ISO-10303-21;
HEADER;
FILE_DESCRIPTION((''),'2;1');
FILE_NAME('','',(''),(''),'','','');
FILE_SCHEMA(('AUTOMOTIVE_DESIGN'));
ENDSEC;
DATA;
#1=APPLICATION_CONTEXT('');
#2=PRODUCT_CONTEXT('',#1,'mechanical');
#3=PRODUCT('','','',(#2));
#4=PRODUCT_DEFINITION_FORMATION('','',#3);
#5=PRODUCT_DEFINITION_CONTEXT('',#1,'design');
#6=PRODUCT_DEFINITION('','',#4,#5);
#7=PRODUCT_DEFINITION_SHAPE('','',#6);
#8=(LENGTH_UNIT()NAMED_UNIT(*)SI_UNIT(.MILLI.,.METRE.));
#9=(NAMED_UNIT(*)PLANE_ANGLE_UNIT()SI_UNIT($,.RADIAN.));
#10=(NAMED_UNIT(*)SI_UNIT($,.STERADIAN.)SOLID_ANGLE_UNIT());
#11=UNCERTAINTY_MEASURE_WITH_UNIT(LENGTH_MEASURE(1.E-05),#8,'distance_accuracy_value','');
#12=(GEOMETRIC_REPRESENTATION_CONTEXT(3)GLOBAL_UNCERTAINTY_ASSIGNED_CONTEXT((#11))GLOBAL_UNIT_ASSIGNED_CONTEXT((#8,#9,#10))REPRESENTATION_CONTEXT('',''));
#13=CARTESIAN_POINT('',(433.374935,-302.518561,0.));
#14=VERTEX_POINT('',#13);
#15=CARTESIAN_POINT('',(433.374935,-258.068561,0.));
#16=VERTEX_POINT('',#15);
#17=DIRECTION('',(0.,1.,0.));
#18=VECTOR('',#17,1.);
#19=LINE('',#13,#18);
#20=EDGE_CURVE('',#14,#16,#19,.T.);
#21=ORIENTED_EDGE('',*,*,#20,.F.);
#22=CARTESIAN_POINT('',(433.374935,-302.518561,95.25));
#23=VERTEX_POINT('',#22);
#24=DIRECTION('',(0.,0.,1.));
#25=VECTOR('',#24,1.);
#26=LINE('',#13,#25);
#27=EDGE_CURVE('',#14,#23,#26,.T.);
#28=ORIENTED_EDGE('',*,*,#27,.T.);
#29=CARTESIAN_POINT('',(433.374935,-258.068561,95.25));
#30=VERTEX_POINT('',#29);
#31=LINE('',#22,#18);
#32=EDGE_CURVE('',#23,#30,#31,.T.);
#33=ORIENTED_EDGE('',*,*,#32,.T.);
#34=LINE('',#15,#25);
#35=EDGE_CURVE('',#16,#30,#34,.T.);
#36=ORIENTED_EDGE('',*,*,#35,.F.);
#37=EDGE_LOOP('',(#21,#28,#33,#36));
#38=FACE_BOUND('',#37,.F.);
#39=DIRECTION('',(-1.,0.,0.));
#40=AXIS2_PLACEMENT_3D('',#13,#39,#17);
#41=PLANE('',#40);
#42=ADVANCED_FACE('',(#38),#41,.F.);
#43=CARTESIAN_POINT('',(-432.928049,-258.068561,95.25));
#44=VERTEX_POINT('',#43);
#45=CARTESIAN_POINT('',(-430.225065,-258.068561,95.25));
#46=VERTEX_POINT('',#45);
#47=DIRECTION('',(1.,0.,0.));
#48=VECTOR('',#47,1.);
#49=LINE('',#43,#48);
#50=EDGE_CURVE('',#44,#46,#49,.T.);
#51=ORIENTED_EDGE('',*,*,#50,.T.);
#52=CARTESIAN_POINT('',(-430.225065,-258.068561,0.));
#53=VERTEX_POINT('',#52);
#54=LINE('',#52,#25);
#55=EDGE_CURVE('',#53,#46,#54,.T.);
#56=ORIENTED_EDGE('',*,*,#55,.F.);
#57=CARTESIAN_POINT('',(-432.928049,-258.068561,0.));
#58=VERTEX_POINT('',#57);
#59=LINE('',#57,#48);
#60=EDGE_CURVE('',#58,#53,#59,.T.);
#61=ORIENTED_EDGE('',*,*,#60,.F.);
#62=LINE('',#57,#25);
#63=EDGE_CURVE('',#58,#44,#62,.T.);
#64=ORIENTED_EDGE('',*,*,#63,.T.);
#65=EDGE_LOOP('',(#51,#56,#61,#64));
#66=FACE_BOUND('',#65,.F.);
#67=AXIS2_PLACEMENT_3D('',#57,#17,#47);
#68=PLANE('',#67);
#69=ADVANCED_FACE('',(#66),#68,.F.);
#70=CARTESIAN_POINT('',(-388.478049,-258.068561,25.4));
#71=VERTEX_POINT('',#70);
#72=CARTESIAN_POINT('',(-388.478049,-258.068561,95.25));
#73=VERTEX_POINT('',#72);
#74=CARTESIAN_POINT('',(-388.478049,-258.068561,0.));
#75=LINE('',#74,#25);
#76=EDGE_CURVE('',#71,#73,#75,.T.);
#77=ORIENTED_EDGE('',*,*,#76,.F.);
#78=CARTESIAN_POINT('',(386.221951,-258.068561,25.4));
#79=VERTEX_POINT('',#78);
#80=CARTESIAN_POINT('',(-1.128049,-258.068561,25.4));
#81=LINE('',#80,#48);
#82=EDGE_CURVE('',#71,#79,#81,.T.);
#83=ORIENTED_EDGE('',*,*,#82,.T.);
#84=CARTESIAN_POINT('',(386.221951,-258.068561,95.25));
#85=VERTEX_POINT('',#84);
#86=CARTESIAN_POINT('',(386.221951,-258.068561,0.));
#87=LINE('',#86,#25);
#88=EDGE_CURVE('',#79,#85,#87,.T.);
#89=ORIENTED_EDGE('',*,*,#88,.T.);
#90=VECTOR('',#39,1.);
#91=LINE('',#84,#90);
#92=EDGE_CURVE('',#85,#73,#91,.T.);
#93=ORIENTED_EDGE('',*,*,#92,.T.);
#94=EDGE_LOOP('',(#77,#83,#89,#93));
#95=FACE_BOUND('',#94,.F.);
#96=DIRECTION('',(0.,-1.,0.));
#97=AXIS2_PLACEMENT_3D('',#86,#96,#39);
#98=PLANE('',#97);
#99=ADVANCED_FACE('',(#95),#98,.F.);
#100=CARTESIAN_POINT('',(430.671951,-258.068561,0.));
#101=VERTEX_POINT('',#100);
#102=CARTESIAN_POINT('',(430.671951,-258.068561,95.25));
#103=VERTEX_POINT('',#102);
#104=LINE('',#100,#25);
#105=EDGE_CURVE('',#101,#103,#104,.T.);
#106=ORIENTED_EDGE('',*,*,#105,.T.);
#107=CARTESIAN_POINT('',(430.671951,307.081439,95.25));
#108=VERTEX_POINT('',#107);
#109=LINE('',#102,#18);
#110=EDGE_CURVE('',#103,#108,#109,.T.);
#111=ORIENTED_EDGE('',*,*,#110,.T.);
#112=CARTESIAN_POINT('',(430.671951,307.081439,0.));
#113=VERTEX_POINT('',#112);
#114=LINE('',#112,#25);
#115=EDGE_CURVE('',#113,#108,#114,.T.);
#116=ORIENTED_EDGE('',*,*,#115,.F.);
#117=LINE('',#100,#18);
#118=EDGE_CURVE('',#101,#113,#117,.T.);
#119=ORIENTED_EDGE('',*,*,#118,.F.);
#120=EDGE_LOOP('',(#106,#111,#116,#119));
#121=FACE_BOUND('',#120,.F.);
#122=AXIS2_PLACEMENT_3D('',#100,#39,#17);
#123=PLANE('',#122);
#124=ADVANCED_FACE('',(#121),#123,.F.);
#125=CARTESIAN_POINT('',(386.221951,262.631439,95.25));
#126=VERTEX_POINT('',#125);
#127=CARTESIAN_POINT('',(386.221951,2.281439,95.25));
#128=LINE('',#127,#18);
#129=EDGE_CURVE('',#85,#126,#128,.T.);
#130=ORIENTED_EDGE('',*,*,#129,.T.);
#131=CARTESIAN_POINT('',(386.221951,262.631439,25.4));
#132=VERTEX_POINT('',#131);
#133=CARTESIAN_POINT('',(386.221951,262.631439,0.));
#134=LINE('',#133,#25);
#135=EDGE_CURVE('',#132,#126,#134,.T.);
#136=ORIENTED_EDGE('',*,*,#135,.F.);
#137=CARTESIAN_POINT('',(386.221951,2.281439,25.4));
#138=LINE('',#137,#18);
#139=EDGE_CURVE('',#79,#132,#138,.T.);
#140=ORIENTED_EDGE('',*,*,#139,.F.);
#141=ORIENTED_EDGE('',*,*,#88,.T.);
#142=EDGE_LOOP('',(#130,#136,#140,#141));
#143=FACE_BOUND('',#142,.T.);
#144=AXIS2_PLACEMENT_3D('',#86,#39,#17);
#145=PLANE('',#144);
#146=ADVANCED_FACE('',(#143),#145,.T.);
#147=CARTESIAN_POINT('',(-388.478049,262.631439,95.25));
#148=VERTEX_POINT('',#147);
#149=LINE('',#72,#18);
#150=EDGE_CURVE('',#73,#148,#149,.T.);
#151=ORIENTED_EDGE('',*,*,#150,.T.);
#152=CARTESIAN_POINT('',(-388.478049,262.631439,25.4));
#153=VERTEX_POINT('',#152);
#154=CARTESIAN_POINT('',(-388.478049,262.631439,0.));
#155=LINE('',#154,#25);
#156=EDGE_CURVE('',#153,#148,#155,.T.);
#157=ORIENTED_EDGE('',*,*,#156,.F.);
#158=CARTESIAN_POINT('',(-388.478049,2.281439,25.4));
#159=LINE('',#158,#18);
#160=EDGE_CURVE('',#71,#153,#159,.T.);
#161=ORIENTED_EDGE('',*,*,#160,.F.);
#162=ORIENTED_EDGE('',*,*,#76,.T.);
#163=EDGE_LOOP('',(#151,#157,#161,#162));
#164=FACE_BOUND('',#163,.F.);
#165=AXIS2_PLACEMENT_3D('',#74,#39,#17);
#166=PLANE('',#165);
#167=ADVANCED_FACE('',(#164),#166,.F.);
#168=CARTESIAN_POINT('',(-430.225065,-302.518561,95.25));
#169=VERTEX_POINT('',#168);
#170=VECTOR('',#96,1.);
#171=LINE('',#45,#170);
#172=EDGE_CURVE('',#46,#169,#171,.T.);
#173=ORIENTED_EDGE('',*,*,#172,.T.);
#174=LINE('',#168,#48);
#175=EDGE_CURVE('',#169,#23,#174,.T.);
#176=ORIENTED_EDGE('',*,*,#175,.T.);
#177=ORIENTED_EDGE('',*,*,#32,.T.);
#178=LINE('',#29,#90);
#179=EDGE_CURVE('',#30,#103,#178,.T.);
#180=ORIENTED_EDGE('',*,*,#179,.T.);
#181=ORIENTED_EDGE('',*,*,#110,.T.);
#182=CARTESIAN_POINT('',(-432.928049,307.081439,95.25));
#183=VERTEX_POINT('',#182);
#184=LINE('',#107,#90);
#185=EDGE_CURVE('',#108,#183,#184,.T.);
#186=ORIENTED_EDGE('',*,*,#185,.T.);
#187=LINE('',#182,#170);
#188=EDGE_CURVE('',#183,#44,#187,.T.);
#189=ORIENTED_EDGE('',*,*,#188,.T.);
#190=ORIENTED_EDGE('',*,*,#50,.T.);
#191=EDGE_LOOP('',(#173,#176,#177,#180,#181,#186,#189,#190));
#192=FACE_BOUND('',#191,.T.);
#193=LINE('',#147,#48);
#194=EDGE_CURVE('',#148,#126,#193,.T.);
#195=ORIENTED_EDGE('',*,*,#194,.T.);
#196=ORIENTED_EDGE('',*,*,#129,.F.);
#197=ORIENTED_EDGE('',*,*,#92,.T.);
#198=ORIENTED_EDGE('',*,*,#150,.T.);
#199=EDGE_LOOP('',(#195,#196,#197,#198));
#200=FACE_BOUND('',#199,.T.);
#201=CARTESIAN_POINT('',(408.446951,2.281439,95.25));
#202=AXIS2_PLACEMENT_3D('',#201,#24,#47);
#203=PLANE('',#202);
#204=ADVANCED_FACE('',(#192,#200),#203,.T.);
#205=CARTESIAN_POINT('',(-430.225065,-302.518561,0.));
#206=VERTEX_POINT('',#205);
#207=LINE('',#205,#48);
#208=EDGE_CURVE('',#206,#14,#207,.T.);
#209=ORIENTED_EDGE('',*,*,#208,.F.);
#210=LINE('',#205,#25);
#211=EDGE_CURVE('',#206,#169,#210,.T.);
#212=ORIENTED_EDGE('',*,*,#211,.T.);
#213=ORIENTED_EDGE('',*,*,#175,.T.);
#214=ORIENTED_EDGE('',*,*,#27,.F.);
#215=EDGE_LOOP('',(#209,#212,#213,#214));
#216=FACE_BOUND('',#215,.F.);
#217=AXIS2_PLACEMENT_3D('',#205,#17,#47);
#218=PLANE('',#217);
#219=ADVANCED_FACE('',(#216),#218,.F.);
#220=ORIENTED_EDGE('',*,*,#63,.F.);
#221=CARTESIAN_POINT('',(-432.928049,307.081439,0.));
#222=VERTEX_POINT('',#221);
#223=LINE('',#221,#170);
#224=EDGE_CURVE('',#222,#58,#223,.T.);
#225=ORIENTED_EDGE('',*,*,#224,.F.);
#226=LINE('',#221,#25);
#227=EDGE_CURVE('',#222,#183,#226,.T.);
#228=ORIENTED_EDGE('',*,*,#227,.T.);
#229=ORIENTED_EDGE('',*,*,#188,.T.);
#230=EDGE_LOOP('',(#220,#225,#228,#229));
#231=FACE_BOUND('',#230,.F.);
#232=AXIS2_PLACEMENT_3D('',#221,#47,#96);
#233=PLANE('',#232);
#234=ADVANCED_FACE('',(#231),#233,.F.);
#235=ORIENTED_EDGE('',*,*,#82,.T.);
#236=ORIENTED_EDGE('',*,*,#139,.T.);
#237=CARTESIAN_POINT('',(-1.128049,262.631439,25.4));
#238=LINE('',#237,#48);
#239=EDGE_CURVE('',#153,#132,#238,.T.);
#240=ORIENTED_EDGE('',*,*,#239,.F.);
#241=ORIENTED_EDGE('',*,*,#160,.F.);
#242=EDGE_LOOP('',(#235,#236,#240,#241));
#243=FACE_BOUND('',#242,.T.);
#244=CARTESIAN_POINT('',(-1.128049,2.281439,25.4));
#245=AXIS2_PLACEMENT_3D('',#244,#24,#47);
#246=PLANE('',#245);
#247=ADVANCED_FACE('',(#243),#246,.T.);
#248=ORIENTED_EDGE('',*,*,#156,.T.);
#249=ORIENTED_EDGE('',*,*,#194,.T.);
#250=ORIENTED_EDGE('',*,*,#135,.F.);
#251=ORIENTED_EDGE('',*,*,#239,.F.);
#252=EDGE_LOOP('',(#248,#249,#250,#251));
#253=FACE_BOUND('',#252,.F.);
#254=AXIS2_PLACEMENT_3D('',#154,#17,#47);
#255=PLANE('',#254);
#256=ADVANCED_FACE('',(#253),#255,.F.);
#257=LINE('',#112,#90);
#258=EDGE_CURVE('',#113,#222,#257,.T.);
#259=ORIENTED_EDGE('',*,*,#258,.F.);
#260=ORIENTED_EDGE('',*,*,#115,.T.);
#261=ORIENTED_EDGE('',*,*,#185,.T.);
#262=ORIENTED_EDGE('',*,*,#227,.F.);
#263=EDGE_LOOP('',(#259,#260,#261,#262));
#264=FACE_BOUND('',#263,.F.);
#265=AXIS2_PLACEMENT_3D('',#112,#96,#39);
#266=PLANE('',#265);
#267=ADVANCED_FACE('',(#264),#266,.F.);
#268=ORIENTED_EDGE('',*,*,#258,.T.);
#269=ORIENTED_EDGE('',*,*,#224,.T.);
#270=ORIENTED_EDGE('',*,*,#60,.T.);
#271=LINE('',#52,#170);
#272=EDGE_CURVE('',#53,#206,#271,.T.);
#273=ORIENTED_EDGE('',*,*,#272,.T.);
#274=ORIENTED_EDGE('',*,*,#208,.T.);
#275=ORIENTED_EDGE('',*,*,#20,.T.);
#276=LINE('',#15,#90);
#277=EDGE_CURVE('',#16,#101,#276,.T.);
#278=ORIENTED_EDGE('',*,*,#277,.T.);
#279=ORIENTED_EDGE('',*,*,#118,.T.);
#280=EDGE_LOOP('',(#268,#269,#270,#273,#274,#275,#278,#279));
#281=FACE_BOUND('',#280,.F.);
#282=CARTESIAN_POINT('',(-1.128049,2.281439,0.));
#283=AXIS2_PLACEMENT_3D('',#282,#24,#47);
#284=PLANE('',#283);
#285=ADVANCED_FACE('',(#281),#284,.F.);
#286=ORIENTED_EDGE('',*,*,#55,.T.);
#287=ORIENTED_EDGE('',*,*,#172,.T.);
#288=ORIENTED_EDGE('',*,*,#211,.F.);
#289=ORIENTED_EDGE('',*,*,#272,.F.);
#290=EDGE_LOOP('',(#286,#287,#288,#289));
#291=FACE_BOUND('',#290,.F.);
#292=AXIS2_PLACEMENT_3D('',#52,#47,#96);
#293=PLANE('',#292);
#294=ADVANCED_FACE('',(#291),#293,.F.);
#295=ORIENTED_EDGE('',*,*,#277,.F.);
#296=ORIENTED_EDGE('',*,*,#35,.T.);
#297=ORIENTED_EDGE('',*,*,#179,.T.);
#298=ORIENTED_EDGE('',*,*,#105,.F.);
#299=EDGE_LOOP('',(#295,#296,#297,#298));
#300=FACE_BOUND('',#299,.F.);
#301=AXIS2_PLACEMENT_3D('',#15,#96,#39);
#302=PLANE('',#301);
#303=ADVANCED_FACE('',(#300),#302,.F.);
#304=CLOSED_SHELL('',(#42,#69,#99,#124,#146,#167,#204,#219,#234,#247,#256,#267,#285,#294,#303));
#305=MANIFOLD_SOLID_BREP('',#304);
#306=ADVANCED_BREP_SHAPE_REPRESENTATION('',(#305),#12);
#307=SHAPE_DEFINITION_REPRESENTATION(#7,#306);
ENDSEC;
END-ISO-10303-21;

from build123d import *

# Parameters (mm, degrees)
F0_W     = 44.45
F0_H     = 520.7
F1_DEPTH = 95.25
F0_W_2   = 774.7
F2_DEPTH = 25.4


with BuildPart() as f1:
    # F0 (on Top) → F1 (new body)
    with BuildSketch(Plane.XY):
        with Locations((408.446951, 2.281439)):
            Rectangle(F0_W, F0_H)
        Polygon((433.374935, -258.068561), (430.671951, -258.068561), (386.221951, -258.068561), (-388.478049, -258.068561), (-430.225065, -258.068561), (-430.225065, -302.518561), (433.374935, -302.518561), align=None)
        Polygon((-388.478049, 262.631439), (-432.928049, 262.631439), (-432.928049, -258.068561), (-430.225065, -258.068561), (-388.478049, -258.068561), align=None)
        Polygon((430.671951, 307.081439), (-432.928049, 307.081439), (-432.928049, 262.631439), (-388.478049, 262.631439), (386.221951, 262.631439), (430.671951, 262.631439), align=None)
    extrude(amount=F1_DEPTH)

    # F0 (on Top) → F2 (join)
    with BuildSketch(Plane.XY):
        with Locations((-1.128049, 2.281439)):
            Rectangle(F0_W_2, F0_H)
    extrude(amount=F2_DEPTH)


solid = f1.part
